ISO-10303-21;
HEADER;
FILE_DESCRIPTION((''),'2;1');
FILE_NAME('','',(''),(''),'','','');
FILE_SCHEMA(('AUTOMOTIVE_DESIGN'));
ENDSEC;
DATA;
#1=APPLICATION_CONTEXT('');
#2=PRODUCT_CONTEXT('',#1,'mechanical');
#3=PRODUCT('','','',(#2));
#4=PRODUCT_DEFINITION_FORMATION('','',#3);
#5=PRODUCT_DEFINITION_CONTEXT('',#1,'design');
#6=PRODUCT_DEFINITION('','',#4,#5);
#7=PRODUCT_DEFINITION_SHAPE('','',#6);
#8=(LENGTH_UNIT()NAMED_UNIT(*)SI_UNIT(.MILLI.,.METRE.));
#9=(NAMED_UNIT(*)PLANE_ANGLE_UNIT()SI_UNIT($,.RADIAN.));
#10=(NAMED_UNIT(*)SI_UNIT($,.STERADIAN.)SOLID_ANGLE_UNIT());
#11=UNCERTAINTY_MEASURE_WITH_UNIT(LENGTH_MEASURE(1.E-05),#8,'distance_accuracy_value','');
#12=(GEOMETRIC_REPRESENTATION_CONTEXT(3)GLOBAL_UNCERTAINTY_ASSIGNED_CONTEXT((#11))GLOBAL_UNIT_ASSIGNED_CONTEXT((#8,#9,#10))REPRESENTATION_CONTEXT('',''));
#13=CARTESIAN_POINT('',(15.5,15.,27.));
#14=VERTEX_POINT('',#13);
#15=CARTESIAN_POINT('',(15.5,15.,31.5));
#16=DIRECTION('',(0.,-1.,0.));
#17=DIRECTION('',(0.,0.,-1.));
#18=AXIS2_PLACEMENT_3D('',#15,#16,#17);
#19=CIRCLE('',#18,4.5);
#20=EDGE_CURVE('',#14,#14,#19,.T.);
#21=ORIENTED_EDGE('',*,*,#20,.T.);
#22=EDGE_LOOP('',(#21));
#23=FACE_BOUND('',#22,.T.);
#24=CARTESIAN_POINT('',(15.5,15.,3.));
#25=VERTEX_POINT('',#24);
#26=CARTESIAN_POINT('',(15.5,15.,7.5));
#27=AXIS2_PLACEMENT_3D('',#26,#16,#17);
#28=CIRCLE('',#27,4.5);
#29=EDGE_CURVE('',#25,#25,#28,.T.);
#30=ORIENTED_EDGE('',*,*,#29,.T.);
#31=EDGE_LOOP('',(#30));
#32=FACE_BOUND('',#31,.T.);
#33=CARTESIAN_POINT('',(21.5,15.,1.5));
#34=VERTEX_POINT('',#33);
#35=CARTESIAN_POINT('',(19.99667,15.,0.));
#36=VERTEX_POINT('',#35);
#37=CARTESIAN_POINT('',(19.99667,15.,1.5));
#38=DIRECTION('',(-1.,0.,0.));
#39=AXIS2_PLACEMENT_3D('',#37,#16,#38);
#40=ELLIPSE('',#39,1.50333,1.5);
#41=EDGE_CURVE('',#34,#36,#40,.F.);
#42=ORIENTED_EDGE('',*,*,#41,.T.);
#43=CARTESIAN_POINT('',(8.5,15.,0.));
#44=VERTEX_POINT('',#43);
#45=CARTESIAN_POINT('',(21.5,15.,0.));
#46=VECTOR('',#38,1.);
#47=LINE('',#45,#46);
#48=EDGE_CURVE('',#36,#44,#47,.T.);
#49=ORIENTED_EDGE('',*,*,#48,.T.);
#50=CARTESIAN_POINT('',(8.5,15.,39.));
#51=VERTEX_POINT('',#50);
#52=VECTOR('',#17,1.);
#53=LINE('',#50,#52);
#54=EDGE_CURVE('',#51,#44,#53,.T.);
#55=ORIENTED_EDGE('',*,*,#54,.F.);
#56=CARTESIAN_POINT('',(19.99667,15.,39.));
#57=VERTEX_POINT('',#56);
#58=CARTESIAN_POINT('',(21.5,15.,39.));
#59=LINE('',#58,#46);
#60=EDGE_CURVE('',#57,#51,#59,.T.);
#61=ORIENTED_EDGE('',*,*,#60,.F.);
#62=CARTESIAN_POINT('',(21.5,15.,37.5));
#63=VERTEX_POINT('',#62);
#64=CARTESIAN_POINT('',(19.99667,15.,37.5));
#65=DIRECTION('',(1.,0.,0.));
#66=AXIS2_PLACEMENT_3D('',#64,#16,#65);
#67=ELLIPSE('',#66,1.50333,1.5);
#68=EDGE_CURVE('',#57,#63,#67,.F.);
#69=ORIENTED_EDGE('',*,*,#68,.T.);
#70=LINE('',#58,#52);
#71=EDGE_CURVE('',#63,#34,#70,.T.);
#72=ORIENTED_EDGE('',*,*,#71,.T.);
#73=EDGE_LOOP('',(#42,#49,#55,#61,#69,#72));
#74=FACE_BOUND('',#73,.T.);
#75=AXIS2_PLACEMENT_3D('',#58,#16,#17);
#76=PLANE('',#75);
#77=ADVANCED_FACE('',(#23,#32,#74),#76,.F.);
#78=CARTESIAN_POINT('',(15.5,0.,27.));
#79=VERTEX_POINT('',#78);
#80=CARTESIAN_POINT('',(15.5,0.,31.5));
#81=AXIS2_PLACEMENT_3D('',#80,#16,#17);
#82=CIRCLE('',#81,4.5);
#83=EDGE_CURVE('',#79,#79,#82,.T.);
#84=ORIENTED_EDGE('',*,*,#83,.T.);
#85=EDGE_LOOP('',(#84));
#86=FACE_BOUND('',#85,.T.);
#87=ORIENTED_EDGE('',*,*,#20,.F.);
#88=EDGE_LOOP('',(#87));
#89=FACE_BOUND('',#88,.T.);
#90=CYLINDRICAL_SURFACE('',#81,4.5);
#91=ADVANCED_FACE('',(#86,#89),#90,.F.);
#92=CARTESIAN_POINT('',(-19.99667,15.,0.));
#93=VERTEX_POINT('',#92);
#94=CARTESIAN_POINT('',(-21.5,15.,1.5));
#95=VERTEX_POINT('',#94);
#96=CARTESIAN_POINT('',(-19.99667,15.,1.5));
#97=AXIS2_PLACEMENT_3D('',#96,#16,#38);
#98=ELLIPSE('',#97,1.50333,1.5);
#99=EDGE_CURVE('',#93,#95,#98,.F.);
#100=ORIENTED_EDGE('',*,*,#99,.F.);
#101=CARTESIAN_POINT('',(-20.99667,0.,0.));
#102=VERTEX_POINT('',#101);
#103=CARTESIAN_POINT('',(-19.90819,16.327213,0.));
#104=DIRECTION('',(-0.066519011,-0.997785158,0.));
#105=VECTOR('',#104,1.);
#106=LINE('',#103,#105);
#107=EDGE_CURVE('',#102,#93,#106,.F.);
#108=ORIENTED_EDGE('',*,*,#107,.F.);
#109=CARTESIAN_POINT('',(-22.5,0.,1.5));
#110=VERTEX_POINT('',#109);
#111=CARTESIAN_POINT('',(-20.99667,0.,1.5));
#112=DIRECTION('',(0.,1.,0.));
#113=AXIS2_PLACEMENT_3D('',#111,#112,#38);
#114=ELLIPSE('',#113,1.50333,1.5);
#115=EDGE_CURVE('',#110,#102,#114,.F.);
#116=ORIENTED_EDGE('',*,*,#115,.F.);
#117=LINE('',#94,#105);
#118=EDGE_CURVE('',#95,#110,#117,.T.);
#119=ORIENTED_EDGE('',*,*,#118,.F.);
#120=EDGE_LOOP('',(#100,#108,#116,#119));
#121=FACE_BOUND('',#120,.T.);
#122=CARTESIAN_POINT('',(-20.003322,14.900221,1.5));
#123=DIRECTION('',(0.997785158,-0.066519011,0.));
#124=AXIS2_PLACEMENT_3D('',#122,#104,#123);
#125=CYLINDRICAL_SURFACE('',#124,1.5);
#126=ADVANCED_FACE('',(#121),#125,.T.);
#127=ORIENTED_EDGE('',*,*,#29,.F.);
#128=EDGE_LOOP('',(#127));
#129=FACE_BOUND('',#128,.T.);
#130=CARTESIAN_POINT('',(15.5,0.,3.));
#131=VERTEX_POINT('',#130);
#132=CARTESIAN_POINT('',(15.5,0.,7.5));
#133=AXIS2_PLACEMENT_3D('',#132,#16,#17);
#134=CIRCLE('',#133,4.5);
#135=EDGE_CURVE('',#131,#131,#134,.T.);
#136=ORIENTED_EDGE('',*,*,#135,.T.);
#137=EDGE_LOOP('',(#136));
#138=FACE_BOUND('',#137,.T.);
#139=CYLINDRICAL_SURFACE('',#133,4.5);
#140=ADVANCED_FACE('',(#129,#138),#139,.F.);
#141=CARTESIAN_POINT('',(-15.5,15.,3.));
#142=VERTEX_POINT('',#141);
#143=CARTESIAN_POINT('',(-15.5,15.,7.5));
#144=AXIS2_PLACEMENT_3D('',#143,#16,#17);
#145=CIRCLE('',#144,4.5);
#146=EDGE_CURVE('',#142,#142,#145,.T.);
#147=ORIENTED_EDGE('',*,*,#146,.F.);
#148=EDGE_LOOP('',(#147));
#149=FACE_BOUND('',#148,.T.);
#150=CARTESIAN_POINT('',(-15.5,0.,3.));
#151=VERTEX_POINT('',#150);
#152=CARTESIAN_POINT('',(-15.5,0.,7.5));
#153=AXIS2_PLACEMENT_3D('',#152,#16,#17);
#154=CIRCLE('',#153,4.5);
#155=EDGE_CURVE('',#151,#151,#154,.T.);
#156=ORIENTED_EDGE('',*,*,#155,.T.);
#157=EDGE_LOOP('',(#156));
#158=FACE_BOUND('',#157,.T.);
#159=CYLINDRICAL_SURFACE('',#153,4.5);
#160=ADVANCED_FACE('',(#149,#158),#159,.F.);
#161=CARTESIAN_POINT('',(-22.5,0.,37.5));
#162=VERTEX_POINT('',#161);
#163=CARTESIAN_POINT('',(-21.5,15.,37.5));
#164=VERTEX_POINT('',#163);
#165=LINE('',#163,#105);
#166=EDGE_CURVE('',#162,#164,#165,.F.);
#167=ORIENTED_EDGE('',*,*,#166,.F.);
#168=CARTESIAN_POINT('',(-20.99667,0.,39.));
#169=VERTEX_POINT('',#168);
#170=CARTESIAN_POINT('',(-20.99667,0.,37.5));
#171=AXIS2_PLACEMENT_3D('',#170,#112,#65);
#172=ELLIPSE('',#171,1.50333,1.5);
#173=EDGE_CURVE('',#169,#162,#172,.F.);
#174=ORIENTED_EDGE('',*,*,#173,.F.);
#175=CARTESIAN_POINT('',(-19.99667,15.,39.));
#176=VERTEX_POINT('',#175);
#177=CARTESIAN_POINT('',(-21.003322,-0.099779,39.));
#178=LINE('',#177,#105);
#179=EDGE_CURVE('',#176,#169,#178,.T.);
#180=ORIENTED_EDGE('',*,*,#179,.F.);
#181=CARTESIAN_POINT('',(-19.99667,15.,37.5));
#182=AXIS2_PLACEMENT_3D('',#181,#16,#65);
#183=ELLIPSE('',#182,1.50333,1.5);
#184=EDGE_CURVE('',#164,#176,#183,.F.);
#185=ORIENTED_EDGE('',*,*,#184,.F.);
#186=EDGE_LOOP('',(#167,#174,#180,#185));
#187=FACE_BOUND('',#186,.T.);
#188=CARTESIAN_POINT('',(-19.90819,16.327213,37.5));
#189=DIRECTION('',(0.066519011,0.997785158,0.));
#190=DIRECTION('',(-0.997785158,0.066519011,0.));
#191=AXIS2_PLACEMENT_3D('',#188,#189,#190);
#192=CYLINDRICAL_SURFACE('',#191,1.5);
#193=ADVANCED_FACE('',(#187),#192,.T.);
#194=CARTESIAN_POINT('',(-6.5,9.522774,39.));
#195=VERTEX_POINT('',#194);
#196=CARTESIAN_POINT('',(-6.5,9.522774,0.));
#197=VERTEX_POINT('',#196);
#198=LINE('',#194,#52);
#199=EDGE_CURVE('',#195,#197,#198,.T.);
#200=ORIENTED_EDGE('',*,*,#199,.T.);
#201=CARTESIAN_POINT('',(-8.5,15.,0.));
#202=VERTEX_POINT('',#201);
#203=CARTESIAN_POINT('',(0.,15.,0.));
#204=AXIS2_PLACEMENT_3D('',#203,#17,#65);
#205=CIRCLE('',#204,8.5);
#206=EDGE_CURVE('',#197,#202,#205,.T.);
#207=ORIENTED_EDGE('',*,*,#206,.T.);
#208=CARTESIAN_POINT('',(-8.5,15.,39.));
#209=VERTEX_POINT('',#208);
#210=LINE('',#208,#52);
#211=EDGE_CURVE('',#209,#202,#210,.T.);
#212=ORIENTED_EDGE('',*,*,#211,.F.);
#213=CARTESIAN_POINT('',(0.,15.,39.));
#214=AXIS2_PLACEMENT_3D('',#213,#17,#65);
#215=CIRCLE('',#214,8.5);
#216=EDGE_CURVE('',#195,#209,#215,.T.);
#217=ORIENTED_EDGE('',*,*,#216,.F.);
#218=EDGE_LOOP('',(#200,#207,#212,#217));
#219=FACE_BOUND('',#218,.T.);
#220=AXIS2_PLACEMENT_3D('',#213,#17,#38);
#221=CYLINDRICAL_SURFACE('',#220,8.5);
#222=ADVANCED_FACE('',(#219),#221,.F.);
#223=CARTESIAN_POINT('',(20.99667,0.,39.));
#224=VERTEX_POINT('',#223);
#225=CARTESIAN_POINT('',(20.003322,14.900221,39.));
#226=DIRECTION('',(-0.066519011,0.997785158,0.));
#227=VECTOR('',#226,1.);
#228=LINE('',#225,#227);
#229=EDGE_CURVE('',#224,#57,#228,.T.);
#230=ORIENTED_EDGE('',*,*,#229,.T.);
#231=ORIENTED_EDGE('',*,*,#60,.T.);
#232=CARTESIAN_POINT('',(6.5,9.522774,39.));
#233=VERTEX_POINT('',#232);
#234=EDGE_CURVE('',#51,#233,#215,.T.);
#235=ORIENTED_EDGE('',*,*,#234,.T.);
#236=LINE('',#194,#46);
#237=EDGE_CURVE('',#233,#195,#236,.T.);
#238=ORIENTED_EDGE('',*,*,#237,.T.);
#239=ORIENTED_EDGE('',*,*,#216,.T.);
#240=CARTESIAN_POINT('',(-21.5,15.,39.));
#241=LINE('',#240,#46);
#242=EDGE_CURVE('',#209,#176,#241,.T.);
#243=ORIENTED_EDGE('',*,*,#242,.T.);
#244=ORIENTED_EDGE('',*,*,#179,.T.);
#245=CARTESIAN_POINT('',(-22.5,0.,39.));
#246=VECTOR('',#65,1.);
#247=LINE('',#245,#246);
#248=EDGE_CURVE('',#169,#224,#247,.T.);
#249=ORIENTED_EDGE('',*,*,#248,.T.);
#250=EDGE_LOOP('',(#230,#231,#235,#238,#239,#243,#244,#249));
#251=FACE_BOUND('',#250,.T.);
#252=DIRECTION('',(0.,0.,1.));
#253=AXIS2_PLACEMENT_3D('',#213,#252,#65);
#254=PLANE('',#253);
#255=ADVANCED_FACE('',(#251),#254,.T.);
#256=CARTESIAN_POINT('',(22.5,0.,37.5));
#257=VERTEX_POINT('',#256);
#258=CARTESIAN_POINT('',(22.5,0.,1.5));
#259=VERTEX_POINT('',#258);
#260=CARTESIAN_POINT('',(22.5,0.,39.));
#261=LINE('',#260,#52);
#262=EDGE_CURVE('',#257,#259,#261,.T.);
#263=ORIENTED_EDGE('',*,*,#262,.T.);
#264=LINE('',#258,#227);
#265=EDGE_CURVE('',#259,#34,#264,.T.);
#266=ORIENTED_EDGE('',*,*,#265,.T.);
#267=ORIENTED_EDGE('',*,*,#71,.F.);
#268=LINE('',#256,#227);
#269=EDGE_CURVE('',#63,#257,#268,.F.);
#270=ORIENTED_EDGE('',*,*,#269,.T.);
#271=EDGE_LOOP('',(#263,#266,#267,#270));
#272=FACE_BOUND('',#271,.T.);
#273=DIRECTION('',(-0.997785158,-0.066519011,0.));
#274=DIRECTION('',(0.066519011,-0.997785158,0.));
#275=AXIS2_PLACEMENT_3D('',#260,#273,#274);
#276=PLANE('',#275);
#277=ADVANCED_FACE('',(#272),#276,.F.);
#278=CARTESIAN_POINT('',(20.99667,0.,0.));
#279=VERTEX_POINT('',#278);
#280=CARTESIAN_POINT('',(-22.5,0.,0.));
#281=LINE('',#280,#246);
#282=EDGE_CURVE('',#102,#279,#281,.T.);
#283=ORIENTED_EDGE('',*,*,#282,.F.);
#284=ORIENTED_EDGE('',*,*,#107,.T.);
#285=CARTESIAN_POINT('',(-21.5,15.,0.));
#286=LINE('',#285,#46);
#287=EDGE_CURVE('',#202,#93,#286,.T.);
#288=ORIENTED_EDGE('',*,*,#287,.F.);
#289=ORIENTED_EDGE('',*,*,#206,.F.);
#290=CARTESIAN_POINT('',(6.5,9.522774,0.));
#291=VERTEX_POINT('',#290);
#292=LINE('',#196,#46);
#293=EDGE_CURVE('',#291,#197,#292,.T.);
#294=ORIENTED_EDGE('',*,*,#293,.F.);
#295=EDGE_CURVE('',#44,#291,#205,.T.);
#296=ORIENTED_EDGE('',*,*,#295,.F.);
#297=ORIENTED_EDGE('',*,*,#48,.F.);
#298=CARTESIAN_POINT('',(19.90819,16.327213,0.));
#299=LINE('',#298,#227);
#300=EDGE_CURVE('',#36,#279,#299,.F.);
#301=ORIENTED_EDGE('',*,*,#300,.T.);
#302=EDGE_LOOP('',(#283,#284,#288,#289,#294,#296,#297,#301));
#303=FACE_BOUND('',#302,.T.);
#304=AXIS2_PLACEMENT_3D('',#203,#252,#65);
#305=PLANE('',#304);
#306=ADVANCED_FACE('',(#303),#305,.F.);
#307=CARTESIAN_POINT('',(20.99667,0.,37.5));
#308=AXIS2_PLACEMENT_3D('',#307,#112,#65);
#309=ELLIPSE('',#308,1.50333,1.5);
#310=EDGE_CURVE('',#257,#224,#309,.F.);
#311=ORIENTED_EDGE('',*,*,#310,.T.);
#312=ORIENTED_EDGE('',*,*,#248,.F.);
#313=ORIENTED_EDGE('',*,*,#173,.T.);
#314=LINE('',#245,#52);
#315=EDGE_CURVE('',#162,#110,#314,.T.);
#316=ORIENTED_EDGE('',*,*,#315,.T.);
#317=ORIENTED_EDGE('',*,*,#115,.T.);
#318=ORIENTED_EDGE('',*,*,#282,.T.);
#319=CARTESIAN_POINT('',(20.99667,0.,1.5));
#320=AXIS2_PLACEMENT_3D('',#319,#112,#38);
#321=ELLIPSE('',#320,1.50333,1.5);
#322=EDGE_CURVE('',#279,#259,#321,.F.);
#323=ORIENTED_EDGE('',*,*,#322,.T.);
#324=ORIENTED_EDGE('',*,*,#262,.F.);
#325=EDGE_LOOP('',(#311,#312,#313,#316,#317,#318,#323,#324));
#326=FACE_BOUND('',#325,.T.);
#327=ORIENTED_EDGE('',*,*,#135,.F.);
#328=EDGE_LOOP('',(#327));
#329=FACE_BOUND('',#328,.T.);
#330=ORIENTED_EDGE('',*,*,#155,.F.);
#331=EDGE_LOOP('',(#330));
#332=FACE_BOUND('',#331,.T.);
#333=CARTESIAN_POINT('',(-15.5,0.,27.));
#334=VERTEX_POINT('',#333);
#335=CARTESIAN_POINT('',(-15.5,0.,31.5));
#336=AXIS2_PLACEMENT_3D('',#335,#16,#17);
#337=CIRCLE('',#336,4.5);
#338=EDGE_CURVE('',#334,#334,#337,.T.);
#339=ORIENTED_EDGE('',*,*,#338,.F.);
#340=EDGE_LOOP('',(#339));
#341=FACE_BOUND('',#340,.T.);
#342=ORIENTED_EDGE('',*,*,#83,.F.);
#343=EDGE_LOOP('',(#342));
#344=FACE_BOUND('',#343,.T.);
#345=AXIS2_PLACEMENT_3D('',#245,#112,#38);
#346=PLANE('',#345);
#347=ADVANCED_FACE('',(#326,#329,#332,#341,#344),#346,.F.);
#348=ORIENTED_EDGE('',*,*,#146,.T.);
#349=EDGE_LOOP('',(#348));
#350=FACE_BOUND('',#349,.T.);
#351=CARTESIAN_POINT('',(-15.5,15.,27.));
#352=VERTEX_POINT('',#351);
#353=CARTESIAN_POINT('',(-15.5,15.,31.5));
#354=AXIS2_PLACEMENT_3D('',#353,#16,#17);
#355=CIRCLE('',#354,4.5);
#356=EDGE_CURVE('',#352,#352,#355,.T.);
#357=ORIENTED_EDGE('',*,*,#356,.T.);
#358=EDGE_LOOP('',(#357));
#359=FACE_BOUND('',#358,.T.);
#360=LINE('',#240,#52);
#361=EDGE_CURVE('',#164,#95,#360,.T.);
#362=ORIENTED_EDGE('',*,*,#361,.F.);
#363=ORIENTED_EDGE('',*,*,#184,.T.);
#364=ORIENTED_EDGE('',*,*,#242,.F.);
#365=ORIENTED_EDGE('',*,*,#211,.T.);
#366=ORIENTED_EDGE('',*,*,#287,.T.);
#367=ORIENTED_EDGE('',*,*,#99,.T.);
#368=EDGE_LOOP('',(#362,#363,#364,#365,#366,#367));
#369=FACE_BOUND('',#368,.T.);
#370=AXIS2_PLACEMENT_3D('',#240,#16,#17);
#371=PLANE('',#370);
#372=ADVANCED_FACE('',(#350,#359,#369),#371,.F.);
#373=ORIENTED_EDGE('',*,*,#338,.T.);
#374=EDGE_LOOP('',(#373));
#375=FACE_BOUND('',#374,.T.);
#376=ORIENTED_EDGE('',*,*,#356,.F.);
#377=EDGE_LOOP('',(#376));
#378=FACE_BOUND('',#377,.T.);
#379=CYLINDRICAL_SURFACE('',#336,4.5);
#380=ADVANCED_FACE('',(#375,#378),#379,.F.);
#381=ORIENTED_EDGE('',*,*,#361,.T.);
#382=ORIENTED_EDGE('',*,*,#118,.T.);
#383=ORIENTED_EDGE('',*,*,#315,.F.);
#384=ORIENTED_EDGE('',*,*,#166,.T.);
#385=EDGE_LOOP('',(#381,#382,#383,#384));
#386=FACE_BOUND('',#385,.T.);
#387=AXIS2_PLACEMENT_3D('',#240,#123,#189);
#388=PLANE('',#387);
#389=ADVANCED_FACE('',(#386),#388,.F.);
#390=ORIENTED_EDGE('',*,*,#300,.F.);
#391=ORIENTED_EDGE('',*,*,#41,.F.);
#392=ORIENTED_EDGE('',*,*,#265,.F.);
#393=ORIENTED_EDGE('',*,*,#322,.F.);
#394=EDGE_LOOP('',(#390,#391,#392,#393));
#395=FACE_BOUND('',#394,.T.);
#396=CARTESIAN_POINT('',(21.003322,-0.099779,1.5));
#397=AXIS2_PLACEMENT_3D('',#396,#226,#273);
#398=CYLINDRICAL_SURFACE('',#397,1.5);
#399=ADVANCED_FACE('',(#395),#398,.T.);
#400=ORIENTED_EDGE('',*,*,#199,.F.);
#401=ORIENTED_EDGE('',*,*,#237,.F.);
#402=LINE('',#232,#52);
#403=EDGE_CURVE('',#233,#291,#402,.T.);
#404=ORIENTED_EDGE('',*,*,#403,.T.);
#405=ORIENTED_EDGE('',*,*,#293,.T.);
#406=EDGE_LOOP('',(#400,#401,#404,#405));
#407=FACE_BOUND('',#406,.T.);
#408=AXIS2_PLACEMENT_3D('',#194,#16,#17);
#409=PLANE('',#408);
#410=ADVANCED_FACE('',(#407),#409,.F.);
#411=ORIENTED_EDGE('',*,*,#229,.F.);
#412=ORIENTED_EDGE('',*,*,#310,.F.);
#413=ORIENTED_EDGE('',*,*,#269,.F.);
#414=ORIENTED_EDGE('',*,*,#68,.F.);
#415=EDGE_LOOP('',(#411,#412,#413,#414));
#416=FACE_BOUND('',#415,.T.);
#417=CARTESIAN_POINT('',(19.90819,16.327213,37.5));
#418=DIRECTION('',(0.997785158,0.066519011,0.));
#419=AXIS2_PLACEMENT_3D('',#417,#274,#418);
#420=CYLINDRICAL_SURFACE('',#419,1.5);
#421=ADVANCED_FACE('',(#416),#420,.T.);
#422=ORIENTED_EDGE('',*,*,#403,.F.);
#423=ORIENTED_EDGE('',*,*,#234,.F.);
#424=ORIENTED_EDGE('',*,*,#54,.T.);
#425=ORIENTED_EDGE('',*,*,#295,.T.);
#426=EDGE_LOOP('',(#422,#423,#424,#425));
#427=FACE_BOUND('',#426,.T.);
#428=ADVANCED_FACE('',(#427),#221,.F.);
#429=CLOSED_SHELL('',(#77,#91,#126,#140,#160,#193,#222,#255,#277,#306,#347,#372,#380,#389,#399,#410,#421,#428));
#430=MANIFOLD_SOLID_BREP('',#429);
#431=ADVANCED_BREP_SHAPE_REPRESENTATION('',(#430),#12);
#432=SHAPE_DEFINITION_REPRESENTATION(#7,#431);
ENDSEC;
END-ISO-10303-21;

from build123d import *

# Parameters (mm, degrees)
ESTRUSIONE_ESTRUSIONE1_DEPTH = 39
FORO_PER_VITE_M8_1_D         = 9
FORO_PER_VITE_M8_1_DEPTH     = 30
FORO_PER_VITE_M8_1_TIP       = 2.703872786
RACCORDO1_R                  = 1.5


with BuildPart() as part:
    # Schizzo1 → Estrusione-Estrusione1 (new body)
    with BuildSketch(Plane.XY):
        with BuildLine():
            Line((-21.5, 15), (-22.5, 0))
            Line((-22.5, 0), (22.5, 0))
            Line((22.5, 0), (21.5, 15))
            Line((21.5, 15), (8.5, 15))
            ThreePointArc((8.5, 15), (7.984359711, 12.084524053), (6.5, 9.522774425))
            Line((6.5, 9.522774425), (-6.5, 9.522774425))
            ThreePointArc((-6.5, 9.522774425), (-7.984359711, 12.084524053), (-8.5, 15))
            Line((-8.5, 15), (-21.5, 15))
        make_face()
    extrude(amount=ESTRUSIONE_ESTRUSIONE1_DEPTH)

    # Foro per Vite M8-1
    with Locations(Plane(origin=(0, 0, 0), x_dir=(-1, 0, 0), z_dir=(0, -1, 0))):
        with Locations((-15.5, -31.5), (15.5, -31.5), (15.5, -7.5), (-15.5, -7.5)):
            Hole(FORO_PER_VITE_M8_1_D / 2, depth=FORO_PER_VITE_M8_1_DEPTH)
            with Locations((0, 0, -(FORO_PER_VITE_M8_1_DEPTH + FORO_PER_VITE_M8_1_TIP / 2))):  # 118° drill point
                Cone(0, FORO_PER_VITE_M8_1_D / 2, FORO_PER_VITE_M8_1_TIP, mode=Mode.SUBTRACT)

    # Raccordo1
    raccordo1_edges = [part.edges().sort_by_distance(p)[0] for p in [
        (22, 7.5, 0),
        (-22, 7.5, 0),
        (22, 7.5, 39),
        (-22, 7.5, 39),
    ]]
    fillet(raccordo1_edges, radius=RACCORDO1_R)


solid = part.part
